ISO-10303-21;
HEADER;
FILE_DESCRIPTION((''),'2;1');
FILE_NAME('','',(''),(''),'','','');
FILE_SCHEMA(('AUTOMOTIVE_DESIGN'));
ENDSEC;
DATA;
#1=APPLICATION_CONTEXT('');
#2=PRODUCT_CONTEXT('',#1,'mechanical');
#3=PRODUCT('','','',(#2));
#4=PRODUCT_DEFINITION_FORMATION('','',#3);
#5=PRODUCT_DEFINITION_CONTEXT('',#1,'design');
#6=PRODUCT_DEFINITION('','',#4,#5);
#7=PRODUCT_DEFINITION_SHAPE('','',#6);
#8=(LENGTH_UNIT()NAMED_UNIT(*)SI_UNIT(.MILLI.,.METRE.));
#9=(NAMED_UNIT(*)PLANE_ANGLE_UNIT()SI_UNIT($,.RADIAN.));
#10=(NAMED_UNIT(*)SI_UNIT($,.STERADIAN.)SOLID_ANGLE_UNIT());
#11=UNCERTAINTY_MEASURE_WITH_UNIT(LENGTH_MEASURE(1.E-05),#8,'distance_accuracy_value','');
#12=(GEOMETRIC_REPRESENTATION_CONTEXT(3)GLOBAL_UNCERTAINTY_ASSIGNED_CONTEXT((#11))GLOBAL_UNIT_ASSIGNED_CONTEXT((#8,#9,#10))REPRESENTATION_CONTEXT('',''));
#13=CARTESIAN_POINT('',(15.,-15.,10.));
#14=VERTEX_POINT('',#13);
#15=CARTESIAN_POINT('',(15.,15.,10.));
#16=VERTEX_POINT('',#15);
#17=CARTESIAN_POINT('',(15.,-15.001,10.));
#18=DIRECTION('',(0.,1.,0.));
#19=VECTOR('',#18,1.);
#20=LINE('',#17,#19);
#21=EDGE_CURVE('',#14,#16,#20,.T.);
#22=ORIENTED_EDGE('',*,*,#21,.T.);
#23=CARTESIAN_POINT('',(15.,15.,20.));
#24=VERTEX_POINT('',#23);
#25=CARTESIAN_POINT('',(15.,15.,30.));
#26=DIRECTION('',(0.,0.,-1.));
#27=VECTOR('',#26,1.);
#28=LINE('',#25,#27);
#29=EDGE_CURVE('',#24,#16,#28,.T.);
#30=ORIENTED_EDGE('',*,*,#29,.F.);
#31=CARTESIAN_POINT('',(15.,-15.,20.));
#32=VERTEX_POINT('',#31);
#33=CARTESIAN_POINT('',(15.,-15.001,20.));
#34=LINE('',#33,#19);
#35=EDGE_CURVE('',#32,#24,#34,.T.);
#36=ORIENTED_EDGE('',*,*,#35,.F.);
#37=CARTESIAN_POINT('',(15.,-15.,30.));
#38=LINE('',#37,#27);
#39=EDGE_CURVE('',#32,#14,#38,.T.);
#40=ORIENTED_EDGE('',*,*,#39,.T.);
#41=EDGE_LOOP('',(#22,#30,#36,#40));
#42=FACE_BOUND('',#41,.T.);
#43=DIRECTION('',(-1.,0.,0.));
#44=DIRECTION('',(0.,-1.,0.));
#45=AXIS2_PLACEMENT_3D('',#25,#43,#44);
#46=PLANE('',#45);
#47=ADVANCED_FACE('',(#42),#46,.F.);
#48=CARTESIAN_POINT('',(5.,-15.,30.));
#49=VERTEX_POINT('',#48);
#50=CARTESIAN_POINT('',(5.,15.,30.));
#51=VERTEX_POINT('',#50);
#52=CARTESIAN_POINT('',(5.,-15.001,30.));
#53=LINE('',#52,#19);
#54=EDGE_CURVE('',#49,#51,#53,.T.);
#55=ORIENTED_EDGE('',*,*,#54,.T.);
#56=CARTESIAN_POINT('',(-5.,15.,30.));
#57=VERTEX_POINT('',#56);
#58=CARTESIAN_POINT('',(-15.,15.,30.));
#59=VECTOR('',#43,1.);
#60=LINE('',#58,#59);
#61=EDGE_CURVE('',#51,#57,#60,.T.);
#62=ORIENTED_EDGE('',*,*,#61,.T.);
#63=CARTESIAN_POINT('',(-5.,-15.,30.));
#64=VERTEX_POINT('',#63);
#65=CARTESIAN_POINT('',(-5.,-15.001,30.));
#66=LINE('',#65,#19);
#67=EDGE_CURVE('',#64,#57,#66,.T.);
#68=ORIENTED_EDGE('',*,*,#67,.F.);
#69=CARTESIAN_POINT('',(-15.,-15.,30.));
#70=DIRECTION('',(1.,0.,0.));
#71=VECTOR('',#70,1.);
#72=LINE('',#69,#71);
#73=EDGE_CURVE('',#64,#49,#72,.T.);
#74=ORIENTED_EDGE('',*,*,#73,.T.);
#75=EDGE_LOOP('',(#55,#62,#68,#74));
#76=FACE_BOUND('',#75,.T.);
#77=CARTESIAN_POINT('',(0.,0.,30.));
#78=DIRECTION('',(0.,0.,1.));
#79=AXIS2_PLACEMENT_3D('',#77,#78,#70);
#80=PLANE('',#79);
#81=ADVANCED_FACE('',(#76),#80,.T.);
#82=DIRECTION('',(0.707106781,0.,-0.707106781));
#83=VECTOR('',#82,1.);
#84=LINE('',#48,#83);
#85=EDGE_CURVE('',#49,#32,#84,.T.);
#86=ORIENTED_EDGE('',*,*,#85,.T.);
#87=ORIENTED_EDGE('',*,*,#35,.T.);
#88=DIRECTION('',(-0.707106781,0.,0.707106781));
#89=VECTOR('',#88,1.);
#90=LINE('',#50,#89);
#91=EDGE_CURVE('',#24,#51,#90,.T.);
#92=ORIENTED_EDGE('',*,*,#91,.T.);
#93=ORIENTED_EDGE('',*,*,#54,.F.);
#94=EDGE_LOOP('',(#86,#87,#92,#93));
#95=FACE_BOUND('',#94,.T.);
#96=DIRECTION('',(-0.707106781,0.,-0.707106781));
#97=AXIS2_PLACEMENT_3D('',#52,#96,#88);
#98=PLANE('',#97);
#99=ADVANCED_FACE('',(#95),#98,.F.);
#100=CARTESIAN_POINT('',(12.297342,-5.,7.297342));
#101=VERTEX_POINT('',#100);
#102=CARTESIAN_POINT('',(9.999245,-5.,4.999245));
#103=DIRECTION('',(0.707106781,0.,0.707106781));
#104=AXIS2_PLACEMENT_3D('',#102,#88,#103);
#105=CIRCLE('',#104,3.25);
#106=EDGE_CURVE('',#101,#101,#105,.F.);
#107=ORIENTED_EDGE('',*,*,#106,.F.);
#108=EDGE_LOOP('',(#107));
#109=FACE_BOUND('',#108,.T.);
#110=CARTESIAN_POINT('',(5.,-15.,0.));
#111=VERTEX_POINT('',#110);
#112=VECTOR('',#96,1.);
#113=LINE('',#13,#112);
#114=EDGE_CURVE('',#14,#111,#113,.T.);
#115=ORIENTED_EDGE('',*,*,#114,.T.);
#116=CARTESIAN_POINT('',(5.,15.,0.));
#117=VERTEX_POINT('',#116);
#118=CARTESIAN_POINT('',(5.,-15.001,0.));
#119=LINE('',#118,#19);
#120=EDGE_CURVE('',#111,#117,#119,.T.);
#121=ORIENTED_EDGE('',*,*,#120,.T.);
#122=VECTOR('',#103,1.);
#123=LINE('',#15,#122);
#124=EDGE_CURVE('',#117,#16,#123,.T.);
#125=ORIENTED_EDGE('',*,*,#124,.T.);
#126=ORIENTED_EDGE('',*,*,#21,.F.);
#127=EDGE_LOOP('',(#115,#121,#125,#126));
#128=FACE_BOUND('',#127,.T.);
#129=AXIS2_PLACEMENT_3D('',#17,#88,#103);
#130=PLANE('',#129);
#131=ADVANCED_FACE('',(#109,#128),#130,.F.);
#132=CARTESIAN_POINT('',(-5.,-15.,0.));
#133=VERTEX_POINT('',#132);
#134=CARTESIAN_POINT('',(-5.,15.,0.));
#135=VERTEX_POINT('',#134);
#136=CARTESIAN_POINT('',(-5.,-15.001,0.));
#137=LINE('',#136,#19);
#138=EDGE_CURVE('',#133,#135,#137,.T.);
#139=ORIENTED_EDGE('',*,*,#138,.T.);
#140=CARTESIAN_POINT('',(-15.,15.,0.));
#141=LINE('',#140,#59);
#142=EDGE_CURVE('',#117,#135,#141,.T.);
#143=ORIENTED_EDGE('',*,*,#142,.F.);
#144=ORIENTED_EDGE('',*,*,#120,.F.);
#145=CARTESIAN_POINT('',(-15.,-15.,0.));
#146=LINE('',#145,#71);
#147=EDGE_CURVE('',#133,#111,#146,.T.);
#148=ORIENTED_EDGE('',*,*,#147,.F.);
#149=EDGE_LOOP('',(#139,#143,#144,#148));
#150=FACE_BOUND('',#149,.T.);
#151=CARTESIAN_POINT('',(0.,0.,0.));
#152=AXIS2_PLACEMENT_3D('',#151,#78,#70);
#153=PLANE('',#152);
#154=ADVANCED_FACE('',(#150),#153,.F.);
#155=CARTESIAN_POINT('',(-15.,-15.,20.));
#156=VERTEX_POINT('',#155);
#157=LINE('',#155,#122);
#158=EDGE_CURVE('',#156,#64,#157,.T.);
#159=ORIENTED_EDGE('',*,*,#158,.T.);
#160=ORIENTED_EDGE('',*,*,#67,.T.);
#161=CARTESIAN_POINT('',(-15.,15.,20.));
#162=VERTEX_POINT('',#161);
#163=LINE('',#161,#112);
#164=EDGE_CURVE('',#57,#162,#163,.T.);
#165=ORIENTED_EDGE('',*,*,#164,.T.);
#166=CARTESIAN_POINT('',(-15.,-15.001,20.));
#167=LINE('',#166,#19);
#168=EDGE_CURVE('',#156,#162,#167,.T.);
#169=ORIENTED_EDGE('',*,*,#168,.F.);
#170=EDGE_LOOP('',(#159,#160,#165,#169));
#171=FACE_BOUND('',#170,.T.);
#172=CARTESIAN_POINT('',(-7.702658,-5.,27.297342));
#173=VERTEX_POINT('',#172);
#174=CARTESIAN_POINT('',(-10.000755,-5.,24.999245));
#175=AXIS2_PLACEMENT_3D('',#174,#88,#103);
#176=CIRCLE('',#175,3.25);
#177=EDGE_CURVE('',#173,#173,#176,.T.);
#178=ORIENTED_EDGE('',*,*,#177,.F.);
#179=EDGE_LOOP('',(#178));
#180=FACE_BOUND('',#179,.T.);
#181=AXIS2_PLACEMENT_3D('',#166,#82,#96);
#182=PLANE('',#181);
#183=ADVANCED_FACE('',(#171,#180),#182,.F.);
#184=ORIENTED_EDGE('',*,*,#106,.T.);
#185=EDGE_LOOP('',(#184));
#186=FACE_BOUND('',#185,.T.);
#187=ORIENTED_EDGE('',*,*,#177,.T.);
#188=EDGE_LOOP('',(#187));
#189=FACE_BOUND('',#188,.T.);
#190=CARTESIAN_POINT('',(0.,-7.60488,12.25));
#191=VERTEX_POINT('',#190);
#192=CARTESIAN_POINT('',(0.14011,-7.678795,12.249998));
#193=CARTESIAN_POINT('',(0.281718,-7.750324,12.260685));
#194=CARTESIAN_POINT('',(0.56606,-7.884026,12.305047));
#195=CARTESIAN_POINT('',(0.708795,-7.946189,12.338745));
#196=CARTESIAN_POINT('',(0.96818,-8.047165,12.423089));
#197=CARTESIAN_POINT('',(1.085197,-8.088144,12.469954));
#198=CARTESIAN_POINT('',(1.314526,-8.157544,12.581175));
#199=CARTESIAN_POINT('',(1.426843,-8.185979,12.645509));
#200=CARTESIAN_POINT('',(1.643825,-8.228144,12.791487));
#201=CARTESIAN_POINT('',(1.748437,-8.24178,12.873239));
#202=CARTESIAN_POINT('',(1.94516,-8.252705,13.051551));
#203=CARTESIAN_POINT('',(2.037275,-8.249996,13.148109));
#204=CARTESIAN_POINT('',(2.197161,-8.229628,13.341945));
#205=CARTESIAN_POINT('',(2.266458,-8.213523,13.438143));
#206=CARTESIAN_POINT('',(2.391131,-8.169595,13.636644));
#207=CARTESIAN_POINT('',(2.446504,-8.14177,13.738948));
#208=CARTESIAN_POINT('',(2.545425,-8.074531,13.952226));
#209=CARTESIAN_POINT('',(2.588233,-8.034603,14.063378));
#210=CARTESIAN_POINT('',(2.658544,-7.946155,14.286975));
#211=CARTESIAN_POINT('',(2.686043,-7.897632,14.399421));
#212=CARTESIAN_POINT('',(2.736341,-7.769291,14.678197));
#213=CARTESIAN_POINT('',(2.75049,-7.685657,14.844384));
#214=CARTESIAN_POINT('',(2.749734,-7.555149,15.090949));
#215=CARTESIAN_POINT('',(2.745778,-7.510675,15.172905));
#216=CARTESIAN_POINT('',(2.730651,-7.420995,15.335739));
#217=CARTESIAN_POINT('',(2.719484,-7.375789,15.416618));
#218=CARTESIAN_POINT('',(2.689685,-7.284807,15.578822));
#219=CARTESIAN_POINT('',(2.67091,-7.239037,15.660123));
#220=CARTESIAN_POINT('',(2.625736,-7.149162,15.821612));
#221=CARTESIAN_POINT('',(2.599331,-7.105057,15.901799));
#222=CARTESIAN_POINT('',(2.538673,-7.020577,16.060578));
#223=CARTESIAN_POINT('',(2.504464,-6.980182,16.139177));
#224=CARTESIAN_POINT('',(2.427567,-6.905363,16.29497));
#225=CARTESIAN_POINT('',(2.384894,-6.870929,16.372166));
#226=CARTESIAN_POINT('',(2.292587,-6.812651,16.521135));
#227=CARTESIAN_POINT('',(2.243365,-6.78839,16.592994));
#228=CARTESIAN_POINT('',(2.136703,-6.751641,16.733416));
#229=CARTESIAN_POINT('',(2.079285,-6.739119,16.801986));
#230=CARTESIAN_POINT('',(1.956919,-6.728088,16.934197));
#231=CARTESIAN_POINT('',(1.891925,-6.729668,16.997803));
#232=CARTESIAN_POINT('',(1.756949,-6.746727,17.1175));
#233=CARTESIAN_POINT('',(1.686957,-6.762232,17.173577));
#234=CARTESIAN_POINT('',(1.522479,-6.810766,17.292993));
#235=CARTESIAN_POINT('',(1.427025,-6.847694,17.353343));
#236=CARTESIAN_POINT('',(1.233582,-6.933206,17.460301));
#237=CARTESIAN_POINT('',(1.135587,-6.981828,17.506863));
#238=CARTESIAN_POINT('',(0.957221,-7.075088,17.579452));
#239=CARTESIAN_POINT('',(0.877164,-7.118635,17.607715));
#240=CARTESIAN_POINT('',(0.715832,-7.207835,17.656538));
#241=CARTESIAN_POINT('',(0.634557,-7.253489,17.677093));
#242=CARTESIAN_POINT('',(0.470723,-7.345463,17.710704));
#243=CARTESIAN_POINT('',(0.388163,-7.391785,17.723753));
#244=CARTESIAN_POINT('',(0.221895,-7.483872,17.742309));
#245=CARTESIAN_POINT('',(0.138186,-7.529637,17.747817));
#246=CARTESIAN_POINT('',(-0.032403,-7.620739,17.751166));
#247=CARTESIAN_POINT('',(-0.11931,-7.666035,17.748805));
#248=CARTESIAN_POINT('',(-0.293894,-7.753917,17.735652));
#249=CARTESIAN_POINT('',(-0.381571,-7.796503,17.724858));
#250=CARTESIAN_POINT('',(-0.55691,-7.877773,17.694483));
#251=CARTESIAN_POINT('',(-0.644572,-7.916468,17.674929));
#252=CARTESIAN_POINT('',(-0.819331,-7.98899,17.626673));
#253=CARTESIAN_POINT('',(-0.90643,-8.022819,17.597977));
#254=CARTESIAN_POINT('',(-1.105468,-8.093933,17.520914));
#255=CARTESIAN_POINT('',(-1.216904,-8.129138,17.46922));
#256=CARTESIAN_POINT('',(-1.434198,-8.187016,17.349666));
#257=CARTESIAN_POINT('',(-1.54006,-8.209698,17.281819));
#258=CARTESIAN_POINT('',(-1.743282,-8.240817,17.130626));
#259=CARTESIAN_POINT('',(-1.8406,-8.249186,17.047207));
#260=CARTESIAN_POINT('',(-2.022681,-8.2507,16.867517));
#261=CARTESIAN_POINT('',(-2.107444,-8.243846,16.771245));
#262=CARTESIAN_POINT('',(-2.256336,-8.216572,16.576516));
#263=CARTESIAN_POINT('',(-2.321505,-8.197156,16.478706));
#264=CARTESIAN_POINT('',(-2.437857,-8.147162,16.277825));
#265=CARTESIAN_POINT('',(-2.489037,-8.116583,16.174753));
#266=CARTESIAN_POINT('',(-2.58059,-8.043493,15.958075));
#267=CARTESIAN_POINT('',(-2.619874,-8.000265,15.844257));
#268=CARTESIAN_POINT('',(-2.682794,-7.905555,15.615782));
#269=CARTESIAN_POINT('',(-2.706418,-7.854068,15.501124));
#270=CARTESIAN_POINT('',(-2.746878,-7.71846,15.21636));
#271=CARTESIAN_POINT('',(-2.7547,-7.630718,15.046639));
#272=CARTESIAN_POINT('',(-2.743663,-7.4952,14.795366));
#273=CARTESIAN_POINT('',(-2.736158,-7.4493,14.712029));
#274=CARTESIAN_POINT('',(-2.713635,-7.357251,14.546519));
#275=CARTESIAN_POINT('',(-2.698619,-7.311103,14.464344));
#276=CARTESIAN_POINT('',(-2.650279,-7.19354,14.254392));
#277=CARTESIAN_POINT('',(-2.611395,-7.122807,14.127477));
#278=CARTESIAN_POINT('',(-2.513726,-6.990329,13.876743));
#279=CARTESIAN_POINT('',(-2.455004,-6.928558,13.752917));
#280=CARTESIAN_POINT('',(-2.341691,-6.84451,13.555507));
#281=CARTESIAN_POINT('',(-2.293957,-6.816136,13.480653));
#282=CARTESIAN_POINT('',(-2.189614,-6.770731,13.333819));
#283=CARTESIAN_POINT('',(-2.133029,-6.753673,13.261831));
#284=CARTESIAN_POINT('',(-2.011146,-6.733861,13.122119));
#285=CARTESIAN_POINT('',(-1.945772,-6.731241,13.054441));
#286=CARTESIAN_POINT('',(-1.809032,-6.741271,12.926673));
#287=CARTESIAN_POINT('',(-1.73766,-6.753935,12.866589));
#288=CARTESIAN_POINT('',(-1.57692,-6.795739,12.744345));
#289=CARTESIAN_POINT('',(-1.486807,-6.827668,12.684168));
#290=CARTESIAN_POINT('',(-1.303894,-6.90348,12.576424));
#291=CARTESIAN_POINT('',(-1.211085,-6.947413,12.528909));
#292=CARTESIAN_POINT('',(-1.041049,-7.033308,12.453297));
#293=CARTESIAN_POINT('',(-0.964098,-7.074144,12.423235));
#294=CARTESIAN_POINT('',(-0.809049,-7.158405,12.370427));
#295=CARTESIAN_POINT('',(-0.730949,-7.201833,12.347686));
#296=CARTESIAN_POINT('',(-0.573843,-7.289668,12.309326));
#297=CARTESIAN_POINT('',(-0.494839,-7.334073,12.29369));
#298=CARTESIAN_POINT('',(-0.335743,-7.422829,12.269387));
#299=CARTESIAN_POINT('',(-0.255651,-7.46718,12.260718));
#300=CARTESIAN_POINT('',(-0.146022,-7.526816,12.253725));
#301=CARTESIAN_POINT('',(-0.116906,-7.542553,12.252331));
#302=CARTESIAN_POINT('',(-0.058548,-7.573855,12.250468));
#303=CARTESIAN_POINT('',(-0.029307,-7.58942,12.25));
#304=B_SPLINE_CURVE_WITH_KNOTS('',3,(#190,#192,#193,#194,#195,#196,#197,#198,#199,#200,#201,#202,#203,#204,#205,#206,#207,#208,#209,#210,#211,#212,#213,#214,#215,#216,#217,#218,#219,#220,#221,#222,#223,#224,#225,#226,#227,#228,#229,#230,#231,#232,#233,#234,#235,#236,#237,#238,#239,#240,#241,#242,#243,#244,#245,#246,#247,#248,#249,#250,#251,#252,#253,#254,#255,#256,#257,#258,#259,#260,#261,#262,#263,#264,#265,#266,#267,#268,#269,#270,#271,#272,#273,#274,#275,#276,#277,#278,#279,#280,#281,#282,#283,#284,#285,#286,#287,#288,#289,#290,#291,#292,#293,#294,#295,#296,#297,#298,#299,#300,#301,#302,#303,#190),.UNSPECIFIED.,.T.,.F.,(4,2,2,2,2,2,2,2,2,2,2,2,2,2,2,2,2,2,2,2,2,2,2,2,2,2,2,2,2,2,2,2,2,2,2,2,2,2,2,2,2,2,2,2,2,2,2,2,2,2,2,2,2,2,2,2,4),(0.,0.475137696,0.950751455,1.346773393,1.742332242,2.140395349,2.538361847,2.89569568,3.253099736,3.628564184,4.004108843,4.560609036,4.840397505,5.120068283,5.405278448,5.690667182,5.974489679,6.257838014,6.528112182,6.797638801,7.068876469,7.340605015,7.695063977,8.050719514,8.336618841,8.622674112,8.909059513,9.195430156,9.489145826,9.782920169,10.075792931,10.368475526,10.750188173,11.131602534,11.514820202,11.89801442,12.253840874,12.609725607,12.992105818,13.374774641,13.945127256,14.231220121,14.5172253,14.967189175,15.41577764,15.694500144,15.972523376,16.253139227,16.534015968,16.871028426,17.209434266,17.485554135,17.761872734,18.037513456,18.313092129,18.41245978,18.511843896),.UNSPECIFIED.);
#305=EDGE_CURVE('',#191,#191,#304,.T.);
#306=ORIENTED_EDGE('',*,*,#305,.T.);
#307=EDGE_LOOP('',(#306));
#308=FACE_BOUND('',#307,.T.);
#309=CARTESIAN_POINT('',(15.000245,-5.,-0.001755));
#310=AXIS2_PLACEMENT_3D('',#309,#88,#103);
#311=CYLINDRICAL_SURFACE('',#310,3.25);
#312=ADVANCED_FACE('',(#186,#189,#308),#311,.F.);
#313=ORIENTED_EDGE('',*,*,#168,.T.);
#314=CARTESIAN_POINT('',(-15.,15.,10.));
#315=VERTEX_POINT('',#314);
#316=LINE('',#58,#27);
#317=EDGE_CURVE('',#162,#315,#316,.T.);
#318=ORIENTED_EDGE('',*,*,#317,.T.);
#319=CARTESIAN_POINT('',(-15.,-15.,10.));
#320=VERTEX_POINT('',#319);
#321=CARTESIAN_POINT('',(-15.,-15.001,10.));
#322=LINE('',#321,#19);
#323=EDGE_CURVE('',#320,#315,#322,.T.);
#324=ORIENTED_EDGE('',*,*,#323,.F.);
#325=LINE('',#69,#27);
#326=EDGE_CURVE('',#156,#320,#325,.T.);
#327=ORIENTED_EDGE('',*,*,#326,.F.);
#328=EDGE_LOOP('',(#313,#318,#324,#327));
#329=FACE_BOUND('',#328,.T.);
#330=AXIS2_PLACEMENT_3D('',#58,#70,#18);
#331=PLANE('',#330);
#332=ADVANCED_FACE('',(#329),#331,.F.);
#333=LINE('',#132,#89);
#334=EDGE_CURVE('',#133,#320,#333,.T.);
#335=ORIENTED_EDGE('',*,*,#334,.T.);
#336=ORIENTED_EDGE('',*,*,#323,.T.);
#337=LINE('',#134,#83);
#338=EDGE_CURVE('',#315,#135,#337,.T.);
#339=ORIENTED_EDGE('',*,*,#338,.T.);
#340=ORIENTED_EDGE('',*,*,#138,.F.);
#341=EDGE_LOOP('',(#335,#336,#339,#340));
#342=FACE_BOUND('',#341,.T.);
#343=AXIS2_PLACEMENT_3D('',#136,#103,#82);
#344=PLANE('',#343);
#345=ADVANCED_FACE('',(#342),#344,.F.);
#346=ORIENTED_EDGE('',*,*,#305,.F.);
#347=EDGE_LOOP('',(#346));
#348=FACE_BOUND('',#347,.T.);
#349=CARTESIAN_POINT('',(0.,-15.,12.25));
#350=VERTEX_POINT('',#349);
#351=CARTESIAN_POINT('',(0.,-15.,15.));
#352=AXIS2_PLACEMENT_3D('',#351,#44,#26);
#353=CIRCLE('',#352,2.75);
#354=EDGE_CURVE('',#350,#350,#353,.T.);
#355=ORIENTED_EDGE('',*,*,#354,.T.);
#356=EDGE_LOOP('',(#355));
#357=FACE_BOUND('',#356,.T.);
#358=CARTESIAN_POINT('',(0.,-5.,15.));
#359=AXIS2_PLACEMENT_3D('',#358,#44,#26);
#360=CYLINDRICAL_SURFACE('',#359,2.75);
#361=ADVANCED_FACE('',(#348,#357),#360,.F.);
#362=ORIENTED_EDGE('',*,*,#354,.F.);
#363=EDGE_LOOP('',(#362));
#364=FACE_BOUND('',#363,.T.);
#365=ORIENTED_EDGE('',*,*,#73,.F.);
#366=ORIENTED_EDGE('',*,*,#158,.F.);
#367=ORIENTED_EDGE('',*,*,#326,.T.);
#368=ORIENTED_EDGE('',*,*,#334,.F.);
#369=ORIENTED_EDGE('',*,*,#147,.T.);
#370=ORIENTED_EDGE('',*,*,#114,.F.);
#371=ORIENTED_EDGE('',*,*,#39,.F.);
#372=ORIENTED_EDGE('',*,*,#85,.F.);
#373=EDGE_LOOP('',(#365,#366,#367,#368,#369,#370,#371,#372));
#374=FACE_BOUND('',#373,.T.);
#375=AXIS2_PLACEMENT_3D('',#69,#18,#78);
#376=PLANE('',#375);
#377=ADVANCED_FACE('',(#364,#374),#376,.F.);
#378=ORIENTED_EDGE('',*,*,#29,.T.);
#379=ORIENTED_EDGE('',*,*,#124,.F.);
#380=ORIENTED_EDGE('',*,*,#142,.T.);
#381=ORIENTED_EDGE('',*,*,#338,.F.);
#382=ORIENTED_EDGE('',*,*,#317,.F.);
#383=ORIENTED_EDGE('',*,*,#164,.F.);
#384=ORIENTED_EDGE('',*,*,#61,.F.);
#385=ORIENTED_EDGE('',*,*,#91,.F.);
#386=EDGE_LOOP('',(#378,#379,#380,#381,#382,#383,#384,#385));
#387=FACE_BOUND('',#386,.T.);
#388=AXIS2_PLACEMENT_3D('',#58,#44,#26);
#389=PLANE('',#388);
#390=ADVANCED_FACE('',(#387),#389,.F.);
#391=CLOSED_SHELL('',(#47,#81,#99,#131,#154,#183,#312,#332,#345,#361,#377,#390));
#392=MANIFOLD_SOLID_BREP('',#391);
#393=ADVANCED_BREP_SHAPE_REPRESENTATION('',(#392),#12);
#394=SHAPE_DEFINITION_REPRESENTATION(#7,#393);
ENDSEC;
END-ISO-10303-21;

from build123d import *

# Parameters (mm, degrees)
ESQUISSE1_W             = 30
ESQUISSE1_H             = 30
BOSS_EXTRU_1_DEPTH      = 30
ENL_V_MAT_EXTRU_1_REACH = 47
ENL_V_MAT_EXTRU_2_REACH = 41.843
ESQUISSE4_R             = 3.25
ESQUISSE6_R             = 2.75
ENL_V_MAT_EXTRU_3_DEPTH = 10


with BuildPart() as part:
    # Esquisse1 → Boss.-Extru.1 (new body)
    with BuildSketch(Plane.XY):
        Rectangle(ESQUISSE1_W, ESQUISSE1_H)
    extrude(amount=BOSS_EXTRU_1_DEPTH)

    # Esquisse3 → Enlèv. mat.-Extru.1 (cut, up to next)
    with BuildSketch(Plane(origin=(0, 15, 0), x_dir=(1, 0, 0), z_dir=(0, 1, 0)), mode=Mode.PRIVATE) as enl_v_mat_extru_1_sk1:
        Polygon((-15, -20), (-5, -30), (-15, -30), align=None)
    enl_v_mat_extru_1_tool1 = extrude(enl_v_mat_extru_1_sk1.sketch, amount=-ENL_V_MAT_EXTRU_1_REACH, mode=Mode.PRIVATE) & part.part
    # Esquisse3 → Enlèv. mat.-Extru.1 (cut, up to next)
    with BuildSketch(Plane(origin=(0, 15, 0), x_dir=(1, 0, 0), z_dir=(0, 1, 0)), mode=Mode.PRIVATE) as enl_v_mat_extru_1_sk2:
        Polygon((-15, 0), (-15, -10), (-5, 0), align=None)
    enl_v_mat_extru_1_tool2 = extrude(enl_v_mat_extru_1_sk2.sketch, amount=-ENL_V_MAT_EXTRU_1_REACH, mode=Mode.PRIVATE) & part.part
    # Esquisse3 → Enlèv. mat.-Extru.1 (cut, up to next)
    with BuildSketch(Plane(origin=(0, 15, 0), x_dir=(1, 0, 0), z_dir=(0, 1, 0)), mode=Mode.PRIVATE) as enl_v_mat_extru_1_sk3:
        Polygon((15, 0), (5, 0), (15, -10), align=None)
    enl_v_mat_extru_1_tool3 = extrude(enl_v_mat_extru_1_sk3.sketch, amount=-ENL_V_MAT_EXTRU_1_REACH, mode=Mode.PRIVATE) & part.part
    # Esquisse3 → Enlèv. mat.-Extru.1 (cut, up to next)
    with BuildSketch(Plane(origin=(0, 15, 0), x_dir=(1, 0, 0), z_dir=(0, 1, 0)), mode=Mode.PRIVATE) as enl_v_mat_extru_1_sk4:
        Polygon((15, -30), (15, -20), (5, -30), align=None)
    enl_v_mat_extru_1_tool4 = extrude(enl_v_mat_extru_1_sk4.sketch, amount=-ENL_V_MAT_EXTRU_1_REACH, mode=Mode.PRIVATE) & part.part
    add(enl_v_mat_extru_1_tool1.solids().sort_by_distance((-11.666667, 15, 26.666667))[0], mode=Mode.SUBTRACT)
    add(enl_v_mat_extru_1_tool2.solids().sort_by_distance((-11.666667, 15, 3.333333))[0], mode=Mode.SUBTRACT)
    add(enl_v_mat_extru_1_tool3.solids().sort_by_distance((11.666667, 15, 3.333333))[0], mode=Mode.SUBTRACT)
    add(enl_v_mat_extru_1_tool4.solids().sort_by_distance((11.666667, 15, 26.666667))[0], mode=Mode.SUBTRACT)

    # Esquisse4 → Enlèv. mat.-Extru.2 (cut, up to next)
    with BuildSketch(Plane(origin=(-17.5, 0, 17.5), x_dir=(0.7071067811865489, 0, 0.7071067811865462), z_dir=(-0.7071067811865462, 0, 0.7071067811865489)), mode=Mode.PRIVATE) as enl_v_mat_extru_2_sk1:
        with Locations((10.605533906, -5)):
            Circle(ESQUISSE4_R)
    enl_v_mat_extru_2_tool1 = extrude(enl_v_mat_extru_2_sk1.sketch, amount=-ENL_V_MAT_EXTRU_2_REACH, mode=Mode.PRIVATE) & part.part
    add(enl_v_mat_extru_2_tool1.solids().sort_by_distance((-10.000755, -5, 24.999245))[0], mode=Mode.SUBTRACT)

    # Esquisse6 → Enlèv. mat.-Extru.3 (cut)
    with BuildSketch(Plane.XZ.offset(15)):
        with Locations(Location((0, 15, 0), (0, 0, 270))):
            Circle(ESQUISSE6_R)
    extrude(amount=-ENL_V_MAT_EXTRU_3_DEPTH, mode=Mode.SUBTRACT)


solid = part.part
